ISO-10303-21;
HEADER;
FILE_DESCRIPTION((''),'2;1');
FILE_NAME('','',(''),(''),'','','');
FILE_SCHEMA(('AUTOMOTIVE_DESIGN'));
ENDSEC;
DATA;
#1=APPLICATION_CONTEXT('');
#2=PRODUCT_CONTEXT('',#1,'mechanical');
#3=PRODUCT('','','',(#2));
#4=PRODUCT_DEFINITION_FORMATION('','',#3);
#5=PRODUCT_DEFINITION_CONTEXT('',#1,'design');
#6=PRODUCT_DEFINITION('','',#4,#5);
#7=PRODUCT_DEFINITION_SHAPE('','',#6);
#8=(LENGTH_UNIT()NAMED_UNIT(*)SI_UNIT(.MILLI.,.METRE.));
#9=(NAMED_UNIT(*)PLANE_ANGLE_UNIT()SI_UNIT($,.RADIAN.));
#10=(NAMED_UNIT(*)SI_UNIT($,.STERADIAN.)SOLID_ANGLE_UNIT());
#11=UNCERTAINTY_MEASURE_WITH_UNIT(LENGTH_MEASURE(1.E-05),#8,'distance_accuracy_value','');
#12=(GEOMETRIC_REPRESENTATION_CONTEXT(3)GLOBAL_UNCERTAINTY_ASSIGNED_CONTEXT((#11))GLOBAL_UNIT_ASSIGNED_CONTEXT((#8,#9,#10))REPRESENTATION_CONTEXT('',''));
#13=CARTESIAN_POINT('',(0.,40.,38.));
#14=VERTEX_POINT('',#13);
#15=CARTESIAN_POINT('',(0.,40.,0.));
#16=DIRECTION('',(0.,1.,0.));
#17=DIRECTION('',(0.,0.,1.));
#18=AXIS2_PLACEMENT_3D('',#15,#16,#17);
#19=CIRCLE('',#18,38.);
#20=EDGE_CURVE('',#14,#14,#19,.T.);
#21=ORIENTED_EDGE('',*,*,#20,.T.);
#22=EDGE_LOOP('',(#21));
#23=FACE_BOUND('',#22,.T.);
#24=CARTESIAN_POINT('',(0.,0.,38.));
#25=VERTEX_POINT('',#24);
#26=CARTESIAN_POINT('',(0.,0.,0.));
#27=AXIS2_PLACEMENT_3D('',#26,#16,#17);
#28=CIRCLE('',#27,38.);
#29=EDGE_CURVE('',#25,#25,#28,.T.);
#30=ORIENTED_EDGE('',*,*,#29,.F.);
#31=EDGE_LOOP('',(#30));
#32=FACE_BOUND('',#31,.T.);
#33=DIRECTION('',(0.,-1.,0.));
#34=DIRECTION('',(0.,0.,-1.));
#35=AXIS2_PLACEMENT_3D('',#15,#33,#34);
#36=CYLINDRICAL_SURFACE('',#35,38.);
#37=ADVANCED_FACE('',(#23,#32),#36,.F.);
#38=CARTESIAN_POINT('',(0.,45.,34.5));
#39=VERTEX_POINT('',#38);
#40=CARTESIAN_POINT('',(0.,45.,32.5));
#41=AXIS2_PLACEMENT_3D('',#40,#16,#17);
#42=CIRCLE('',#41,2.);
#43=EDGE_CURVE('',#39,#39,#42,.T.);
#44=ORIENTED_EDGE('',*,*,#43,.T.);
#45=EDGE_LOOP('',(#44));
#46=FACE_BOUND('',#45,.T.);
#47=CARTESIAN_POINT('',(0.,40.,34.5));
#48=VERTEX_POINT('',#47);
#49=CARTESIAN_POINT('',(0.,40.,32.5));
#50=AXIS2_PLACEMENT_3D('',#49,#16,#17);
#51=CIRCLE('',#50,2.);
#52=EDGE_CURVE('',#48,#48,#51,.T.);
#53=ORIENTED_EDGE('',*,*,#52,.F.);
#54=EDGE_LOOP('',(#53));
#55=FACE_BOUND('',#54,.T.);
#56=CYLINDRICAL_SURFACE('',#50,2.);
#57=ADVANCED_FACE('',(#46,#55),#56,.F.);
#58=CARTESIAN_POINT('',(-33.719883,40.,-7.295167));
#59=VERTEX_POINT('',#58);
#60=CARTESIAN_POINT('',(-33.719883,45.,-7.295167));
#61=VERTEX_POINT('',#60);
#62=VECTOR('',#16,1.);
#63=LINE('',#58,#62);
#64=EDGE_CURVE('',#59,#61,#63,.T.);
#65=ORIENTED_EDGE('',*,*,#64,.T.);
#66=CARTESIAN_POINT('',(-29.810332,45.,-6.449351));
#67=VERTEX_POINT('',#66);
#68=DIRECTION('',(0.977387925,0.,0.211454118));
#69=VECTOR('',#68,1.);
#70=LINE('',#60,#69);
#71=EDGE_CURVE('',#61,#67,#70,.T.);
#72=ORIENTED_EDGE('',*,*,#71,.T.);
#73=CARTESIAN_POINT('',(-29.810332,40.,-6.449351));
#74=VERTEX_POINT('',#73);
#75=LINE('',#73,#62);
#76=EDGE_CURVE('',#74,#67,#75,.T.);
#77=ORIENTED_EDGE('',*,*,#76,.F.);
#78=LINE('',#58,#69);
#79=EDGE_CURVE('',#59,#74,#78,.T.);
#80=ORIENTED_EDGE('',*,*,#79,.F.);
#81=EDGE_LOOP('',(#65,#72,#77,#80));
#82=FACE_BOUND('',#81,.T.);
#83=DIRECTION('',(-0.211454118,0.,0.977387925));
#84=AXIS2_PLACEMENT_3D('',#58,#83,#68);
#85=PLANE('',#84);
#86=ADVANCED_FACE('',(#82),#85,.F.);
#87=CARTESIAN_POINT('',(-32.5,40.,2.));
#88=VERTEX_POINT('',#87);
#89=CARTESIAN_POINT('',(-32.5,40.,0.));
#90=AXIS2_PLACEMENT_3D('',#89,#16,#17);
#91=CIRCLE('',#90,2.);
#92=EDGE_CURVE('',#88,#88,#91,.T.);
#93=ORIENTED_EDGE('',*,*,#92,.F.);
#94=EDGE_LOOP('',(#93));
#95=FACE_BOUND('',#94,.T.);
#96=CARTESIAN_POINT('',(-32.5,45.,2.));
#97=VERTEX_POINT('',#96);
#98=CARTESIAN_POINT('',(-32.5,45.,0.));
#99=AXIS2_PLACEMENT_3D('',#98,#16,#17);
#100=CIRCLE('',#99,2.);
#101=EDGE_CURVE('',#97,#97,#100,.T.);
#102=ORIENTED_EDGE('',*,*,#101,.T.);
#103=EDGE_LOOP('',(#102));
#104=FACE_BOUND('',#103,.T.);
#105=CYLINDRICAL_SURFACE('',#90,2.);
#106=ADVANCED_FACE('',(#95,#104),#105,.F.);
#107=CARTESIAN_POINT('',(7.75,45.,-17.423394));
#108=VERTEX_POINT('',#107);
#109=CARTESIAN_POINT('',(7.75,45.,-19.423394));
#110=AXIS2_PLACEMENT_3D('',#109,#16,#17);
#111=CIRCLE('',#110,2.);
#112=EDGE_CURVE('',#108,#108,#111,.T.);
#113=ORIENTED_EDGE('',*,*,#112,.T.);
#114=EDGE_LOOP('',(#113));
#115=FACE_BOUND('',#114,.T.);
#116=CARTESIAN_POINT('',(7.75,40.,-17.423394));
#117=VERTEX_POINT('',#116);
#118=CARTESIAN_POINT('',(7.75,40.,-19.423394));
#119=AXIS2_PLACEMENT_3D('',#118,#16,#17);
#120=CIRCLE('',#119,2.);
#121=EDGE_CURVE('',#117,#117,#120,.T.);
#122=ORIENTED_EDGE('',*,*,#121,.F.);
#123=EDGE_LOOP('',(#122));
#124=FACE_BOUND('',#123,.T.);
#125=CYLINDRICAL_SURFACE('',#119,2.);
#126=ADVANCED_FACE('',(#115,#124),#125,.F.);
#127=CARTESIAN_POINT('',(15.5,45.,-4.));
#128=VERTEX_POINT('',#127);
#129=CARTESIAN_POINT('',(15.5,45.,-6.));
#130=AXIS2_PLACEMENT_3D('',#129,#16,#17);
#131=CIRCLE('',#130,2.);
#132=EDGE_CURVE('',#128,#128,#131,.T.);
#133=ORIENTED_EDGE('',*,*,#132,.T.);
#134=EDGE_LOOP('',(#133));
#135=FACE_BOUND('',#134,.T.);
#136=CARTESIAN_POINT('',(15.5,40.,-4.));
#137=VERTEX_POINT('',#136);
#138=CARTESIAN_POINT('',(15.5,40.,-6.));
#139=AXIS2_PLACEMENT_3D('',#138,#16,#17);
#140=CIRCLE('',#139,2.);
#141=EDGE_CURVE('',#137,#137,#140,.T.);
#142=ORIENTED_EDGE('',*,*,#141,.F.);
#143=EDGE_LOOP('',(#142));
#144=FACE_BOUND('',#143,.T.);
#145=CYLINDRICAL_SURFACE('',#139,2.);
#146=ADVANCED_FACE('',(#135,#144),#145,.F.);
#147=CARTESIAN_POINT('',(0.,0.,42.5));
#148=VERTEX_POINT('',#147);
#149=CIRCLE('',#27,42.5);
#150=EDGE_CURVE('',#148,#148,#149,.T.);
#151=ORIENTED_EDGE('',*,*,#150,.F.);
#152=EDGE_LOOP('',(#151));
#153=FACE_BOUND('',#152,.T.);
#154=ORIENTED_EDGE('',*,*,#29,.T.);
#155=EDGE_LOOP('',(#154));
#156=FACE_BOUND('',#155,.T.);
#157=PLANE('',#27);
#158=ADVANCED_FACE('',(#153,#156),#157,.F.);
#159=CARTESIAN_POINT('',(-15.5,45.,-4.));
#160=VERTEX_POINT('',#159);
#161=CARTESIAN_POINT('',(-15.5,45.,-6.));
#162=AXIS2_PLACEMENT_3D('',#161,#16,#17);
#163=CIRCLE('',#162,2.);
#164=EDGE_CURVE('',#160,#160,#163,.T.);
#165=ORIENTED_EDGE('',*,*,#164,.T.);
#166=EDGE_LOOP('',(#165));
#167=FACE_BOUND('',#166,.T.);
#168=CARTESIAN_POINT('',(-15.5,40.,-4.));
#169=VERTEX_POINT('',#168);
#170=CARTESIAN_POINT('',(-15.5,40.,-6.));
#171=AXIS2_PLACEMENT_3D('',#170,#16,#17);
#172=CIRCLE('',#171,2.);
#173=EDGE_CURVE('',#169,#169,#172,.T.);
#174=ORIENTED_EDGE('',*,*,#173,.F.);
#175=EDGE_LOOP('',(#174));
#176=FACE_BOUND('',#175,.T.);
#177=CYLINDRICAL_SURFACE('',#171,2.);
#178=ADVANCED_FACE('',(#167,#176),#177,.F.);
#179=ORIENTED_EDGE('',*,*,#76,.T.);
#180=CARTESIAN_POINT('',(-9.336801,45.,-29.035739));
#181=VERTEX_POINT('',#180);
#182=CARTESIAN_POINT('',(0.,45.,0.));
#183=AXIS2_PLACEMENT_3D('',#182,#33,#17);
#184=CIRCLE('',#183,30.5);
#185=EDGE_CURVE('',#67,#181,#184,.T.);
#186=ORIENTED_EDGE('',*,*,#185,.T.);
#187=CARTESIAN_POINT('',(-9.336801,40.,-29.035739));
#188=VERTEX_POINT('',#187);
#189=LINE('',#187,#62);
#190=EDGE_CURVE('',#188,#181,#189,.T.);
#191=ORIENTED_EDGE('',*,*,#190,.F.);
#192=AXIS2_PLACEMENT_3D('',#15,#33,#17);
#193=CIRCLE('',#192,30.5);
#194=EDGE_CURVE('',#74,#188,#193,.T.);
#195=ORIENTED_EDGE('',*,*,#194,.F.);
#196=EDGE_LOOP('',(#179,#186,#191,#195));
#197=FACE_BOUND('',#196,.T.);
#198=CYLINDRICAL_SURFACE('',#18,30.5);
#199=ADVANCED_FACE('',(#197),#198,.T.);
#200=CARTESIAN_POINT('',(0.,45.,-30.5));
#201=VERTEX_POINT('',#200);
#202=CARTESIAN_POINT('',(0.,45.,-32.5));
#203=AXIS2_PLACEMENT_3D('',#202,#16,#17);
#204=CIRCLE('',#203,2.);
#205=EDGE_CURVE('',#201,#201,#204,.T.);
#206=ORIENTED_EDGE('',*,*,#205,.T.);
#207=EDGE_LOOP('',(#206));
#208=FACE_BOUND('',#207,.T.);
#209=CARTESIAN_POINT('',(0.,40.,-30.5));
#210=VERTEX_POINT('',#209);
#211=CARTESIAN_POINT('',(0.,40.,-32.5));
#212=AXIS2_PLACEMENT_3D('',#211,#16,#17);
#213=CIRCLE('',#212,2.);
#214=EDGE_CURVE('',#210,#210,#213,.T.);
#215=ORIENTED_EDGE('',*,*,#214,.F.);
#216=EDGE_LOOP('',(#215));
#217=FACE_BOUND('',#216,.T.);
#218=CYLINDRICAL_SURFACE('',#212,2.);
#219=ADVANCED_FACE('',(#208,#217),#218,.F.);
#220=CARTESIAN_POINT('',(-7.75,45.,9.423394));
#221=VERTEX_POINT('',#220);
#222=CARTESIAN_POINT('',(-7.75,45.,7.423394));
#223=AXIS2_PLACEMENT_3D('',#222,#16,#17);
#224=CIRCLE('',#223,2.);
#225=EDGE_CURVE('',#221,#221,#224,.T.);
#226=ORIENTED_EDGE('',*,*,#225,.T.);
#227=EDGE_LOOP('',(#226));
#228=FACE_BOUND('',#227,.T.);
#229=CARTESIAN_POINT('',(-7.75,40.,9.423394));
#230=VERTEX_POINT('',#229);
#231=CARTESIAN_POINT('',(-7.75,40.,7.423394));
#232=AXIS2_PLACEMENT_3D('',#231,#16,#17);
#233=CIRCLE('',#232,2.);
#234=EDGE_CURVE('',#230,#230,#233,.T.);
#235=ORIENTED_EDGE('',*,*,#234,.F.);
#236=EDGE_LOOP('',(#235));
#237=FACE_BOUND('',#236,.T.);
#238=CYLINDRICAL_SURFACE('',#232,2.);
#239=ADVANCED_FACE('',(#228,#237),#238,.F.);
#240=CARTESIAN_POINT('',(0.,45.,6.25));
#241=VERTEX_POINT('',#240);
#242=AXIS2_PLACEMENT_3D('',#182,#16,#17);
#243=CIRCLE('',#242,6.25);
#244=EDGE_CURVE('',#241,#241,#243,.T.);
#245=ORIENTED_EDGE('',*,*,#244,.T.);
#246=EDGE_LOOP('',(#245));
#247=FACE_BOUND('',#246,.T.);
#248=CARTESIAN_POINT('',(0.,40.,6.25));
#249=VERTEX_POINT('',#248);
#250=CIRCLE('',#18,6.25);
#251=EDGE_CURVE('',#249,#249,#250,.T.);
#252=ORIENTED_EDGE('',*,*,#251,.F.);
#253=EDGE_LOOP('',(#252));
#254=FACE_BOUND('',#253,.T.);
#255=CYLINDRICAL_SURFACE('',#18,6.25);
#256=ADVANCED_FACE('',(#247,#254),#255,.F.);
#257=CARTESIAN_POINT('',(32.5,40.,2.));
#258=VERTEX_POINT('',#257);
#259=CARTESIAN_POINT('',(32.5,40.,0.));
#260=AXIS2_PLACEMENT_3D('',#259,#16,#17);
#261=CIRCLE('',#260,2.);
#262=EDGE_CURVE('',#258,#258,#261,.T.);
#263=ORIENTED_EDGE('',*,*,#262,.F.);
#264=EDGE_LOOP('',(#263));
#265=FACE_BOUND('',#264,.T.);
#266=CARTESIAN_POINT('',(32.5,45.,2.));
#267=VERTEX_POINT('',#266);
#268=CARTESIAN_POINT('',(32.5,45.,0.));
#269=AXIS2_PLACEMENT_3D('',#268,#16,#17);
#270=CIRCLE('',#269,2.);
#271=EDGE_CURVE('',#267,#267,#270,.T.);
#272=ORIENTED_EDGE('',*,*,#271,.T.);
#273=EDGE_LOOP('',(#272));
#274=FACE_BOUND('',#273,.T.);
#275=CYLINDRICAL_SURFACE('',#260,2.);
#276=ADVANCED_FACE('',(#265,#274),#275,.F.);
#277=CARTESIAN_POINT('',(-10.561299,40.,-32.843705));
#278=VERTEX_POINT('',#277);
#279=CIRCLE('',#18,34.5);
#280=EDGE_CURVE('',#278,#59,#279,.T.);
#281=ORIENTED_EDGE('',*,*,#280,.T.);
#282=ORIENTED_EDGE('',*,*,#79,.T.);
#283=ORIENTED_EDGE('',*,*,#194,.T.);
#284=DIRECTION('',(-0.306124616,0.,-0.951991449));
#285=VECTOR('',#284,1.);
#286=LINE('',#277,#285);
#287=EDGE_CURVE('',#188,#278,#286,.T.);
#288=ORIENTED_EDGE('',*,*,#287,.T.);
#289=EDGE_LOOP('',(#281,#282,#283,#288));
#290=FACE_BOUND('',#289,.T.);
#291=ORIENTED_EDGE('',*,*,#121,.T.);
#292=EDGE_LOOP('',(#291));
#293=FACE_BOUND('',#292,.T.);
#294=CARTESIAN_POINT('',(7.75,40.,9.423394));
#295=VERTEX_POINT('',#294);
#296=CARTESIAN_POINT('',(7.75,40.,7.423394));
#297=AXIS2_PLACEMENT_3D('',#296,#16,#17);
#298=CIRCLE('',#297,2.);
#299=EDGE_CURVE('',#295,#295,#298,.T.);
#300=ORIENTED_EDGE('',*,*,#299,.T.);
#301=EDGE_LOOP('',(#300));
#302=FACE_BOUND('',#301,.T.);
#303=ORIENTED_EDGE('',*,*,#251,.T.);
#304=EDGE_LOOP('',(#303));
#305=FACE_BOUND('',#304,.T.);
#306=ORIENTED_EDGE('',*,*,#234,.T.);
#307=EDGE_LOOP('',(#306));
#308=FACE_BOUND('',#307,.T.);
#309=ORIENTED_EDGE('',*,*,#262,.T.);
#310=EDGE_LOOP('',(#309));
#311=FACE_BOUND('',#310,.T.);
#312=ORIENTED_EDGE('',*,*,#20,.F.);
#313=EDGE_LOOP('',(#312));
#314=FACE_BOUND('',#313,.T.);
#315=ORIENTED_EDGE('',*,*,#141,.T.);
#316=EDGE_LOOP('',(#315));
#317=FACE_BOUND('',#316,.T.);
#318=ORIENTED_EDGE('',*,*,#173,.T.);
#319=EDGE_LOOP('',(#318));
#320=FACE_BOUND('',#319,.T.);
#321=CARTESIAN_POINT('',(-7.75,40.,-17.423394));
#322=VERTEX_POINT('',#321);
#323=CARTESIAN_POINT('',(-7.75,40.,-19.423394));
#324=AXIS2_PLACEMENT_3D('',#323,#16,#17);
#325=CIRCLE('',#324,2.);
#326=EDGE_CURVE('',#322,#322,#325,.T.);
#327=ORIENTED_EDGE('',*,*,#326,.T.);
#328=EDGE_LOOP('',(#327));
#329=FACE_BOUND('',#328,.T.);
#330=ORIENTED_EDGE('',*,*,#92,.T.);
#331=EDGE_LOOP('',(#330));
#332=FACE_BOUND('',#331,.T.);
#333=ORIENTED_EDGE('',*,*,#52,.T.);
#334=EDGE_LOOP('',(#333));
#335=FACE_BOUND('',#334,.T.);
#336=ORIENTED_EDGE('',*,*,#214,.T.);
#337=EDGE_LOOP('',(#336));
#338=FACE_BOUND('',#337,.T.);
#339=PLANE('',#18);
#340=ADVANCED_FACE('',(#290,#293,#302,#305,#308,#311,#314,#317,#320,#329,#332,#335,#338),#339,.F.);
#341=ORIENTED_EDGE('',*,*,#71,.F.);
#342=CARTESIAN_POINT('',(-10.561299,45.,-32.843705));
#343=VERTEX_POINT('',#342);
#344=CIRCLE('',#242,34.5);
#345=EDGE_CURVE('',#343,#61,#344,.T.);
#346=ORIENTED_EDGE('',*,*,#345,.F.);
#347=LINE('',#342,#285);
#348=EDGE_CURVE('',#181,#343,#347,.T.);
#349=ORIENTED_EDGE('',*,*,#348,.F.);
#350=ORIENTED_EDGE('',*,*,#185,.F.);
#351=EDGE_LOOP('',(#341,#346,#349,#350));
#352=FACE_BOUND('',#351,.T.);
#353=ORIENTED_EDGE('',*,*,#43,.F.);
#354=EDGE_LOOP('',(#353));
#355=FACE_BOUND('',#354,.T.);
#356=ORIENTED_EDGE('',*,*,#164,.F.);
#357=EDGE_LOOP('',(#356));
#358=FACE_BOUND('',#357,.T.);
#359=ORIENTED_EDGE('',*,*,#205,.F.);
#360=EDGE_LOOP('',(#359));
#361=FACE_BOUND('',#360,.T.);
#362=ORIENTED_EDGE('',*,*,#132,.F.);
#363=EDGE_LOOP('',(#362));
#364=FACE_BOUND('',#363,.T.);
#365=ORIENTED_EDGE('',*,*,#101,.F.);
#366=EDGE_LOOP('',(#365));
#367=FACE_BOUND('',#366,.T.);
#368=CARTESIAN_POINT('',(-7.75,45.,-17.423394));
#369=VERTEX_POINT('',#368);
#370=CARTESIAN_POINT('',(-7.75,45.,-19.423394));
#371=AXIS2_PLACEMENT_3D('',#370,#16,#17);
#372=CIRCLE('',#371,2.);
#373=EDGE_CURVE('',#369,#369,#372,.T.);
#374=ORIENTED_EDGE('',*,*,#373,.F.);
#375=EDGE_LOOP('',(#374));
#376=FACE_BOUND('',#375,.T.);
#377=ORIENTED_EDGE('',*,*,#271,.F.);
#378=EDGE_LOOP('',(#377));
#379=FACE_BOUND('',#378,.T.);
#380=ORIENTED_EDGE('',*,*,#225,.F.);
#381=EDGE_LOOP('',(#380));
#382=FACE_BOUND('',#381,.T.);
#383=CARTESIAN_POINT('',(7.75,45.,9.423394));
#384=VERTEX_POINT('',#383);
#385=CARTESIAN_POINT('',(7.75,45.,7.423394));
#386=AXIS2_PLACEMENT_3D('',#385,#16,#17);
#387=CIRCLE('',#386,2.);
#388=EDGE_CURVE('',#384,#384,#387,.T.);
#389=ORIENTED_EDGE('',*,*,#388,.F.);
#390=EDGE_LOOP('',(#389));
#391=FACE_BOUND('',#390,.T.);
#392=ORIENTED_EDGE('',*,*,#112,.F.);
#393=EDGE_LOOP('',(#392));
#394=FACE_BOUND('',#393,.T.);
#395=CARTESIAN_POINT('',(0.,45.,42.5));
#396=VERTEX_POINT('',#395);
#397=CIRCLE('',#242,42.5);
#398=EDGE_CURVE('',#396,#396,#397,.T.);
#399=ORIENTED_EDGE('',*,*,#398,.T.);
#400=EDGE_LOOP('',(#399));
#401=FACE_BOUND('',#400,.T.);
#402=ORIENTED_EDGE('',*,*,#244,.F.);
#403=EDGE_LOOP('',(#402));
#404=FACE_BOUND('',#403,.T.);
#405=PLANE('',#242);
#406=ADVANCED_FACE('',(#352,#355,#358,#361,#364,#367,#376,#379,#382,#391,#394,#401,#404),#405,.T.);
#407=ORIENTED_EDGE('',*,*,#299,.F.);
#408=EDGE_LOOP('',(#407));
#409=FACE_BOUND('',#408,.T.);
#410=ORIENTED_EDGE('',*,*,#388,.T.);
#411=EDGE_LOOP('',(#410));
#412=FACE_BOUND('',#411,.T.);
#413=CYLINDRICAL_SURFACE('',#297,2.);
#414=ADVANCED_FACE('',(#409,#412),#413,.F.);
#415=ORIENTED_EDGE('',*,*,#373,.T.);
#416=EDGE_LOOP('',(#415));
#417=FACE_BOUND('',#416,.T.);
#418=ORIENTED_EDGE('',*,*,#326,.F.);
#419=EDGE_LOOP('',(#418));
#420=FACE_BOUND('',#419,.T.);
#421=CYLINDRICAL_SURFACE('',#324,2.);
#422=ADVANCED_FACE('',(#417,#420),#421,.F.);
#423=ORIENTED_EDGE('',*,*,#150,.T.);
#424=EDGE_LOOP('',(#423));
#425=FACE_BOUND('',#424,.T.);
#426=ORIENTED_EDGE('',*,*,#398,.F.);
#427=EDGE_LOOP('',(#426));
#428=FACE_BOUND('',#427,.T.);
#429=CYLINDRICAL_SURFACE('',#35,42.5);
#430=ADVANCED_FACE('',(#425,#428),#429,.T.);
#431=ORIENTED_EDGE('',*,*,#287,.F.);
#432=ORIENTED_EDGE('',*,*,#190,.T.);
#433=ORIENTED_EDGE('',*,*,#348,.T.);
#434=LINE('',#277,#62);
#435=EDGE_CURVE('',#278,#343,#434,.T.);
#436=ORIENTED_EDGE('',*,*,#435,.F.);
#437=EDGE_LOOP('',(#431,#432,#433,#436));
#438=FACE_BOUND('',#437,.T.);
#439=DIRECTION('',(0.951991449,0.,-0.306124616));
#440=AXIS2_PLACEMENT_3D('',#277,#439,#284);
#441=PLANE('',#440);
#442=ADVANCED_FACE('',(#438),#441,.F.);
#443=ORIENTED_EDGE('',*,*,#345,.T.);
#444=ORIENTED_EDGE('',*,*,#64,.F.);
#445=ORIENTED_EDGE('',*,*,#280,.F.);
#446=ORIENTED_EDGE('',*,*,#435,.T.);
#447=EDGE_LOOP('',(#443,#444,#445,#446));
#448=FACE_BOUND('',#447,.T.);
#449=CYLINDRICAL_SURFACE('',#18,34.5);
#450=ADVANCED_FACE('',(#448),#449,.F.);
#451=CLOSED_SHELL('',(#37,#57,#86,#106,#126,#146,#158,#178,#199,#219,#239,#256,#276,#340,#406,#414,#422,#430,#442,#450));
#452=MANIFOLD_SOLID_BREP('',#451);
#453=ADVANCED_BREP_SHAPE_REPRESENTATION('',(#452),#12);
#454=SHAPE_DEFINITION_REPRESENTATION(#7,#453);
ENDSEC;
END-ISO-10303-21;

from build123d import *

# Parameters (mm, degrees)
IZIM6_R                     = 42.5
IZIM6_R_2                   = 38
Y_KSEKLIK_EKSTR_ZYON1_DEPTH = 40
IZIM7_R                     = 42.5
Y_KSEKLIK_EKSTR_ZYON2_DEPTH = 5
IZIM8_R                     = 2
IZIM8_R_2                   = 6.25
KES_EKSTR_ZYON2_DEPTH       = 5
KES_EKSTR_ZYON4_DEPTH       = 5


with BuildPart() as part:
    # Çizim6 → Yükseklik-Ekstrüzyon1 (new body)
    with BuildSketch(Plane(origin=(0, 0, 0), x_dir=(1, 0, 0), z_dir=(0, 1, 0))):
        with Locations(Location((0, 0, 0), (0, 0, 270))):
            Circle(IZIM6_R)
        with Locations(Location((0, 0, 0), (0, 0, 270))):
            Circle(IZIM6_R_2, mode=Mode.SUBTRACT)
    extrude(amount=Y_KSEKLIK_EKSTR_ZYON1_DEPTH)

    # Çizim7 → Yükseklik-Ekstrüzyon2 (add)
    with BuildSketch(Plane(origin=(0, 40, 0), x_dir=(1, 0, 0), z_dir=(0, 1, 0))):
        with Locations(Location((0, 0, 0), (0, 0, 270))):
            Circle(IZIM7_R)
    extrude(amount=Y_KSEKLIK_EKSTR_ZYON2_DEPTH)

    # Çizim8 → Kes-Ekstrüzyon2 (cut)
    with BuildSketch(Plane(origin=(0, 45, 0), x_dir=(1, 0, 0), z_dir=(0, 1, 0))):
        with Locations(Location((0, 32.5, 0), (0, 0, 270))):
            Circle(IZIM8_R)
        with Locations(Location((-32.5, 0, 0), (0, 0, 270))):
            Circle(IZIM8_R)
        with Locations(Location((32.5, 0, 0), (0, 0, 270))):
            Circle(IZIM8_R)
        with Locations(Location((0, -32.5, 0), (0, 0, 270))):
            Circle(IZIM8_R)
        with Locations(Location((0, 0, 0), (0, 0, 270))):
            Circle(IZIM8_R_2)
        with Locations(Location((-15.5, 6, 0), (0, 0, 270))):
            Circle(IZIM8_R)
        with Locations(Location((-7.75, 19.423393759, 0), (0, 0, 270))):
            Circle(IZIM8_R)
        with Locations(Location((7.75, 19.423393759, 0), (0, 0, 270))):
            Circle(IZIM8_R)
        with Locations(Location((15.5, 6, 0), (0, 0, 270))):
            Circle(IZIM8_R)
        with Locations(Location((7.75, -7.423393759, 0), (0, 0, 270))):
            Circle(IZIM8_R)
        with Locations(Location((-7.75, -7.423393759, 0), (0, 0, 270))):
            Circle(IZIM8_R)
    extrude(amount=-KES_EKSTR_ZYON2_DEPTH, mode=Mode.SUBTRACT)

    # Çizim11 → Kes-Ekstrüzyon4 (cut)
    with BuildSketch(Plane(origin=(0, 45, 0), x_dir=(1, 0, 0), z_dir=(0, 1, 0))):
        with BuildLine():
            Line((-33.71988341, 7.295167084), (-29.810331711, 6.44935061))
            ThreePointArc((-29.810331711, 6.44935061), (-22.597803721, 20.483878221), (-9.336800782, 29.035739205))
            Line((-9.336800782, 29.035739205), (-10.561299245, 32.843705002))
            ThreePointArc((-10.561299245, 32.843705002), (-25.561450111, 23.170288479), (-33.71988341, 7.295167084))
        make_face()
    extrude(amount=-KES_EKSTR_ZYON4_DEPTH, mode=Mode.SUBTRACT)


solid = part.part
